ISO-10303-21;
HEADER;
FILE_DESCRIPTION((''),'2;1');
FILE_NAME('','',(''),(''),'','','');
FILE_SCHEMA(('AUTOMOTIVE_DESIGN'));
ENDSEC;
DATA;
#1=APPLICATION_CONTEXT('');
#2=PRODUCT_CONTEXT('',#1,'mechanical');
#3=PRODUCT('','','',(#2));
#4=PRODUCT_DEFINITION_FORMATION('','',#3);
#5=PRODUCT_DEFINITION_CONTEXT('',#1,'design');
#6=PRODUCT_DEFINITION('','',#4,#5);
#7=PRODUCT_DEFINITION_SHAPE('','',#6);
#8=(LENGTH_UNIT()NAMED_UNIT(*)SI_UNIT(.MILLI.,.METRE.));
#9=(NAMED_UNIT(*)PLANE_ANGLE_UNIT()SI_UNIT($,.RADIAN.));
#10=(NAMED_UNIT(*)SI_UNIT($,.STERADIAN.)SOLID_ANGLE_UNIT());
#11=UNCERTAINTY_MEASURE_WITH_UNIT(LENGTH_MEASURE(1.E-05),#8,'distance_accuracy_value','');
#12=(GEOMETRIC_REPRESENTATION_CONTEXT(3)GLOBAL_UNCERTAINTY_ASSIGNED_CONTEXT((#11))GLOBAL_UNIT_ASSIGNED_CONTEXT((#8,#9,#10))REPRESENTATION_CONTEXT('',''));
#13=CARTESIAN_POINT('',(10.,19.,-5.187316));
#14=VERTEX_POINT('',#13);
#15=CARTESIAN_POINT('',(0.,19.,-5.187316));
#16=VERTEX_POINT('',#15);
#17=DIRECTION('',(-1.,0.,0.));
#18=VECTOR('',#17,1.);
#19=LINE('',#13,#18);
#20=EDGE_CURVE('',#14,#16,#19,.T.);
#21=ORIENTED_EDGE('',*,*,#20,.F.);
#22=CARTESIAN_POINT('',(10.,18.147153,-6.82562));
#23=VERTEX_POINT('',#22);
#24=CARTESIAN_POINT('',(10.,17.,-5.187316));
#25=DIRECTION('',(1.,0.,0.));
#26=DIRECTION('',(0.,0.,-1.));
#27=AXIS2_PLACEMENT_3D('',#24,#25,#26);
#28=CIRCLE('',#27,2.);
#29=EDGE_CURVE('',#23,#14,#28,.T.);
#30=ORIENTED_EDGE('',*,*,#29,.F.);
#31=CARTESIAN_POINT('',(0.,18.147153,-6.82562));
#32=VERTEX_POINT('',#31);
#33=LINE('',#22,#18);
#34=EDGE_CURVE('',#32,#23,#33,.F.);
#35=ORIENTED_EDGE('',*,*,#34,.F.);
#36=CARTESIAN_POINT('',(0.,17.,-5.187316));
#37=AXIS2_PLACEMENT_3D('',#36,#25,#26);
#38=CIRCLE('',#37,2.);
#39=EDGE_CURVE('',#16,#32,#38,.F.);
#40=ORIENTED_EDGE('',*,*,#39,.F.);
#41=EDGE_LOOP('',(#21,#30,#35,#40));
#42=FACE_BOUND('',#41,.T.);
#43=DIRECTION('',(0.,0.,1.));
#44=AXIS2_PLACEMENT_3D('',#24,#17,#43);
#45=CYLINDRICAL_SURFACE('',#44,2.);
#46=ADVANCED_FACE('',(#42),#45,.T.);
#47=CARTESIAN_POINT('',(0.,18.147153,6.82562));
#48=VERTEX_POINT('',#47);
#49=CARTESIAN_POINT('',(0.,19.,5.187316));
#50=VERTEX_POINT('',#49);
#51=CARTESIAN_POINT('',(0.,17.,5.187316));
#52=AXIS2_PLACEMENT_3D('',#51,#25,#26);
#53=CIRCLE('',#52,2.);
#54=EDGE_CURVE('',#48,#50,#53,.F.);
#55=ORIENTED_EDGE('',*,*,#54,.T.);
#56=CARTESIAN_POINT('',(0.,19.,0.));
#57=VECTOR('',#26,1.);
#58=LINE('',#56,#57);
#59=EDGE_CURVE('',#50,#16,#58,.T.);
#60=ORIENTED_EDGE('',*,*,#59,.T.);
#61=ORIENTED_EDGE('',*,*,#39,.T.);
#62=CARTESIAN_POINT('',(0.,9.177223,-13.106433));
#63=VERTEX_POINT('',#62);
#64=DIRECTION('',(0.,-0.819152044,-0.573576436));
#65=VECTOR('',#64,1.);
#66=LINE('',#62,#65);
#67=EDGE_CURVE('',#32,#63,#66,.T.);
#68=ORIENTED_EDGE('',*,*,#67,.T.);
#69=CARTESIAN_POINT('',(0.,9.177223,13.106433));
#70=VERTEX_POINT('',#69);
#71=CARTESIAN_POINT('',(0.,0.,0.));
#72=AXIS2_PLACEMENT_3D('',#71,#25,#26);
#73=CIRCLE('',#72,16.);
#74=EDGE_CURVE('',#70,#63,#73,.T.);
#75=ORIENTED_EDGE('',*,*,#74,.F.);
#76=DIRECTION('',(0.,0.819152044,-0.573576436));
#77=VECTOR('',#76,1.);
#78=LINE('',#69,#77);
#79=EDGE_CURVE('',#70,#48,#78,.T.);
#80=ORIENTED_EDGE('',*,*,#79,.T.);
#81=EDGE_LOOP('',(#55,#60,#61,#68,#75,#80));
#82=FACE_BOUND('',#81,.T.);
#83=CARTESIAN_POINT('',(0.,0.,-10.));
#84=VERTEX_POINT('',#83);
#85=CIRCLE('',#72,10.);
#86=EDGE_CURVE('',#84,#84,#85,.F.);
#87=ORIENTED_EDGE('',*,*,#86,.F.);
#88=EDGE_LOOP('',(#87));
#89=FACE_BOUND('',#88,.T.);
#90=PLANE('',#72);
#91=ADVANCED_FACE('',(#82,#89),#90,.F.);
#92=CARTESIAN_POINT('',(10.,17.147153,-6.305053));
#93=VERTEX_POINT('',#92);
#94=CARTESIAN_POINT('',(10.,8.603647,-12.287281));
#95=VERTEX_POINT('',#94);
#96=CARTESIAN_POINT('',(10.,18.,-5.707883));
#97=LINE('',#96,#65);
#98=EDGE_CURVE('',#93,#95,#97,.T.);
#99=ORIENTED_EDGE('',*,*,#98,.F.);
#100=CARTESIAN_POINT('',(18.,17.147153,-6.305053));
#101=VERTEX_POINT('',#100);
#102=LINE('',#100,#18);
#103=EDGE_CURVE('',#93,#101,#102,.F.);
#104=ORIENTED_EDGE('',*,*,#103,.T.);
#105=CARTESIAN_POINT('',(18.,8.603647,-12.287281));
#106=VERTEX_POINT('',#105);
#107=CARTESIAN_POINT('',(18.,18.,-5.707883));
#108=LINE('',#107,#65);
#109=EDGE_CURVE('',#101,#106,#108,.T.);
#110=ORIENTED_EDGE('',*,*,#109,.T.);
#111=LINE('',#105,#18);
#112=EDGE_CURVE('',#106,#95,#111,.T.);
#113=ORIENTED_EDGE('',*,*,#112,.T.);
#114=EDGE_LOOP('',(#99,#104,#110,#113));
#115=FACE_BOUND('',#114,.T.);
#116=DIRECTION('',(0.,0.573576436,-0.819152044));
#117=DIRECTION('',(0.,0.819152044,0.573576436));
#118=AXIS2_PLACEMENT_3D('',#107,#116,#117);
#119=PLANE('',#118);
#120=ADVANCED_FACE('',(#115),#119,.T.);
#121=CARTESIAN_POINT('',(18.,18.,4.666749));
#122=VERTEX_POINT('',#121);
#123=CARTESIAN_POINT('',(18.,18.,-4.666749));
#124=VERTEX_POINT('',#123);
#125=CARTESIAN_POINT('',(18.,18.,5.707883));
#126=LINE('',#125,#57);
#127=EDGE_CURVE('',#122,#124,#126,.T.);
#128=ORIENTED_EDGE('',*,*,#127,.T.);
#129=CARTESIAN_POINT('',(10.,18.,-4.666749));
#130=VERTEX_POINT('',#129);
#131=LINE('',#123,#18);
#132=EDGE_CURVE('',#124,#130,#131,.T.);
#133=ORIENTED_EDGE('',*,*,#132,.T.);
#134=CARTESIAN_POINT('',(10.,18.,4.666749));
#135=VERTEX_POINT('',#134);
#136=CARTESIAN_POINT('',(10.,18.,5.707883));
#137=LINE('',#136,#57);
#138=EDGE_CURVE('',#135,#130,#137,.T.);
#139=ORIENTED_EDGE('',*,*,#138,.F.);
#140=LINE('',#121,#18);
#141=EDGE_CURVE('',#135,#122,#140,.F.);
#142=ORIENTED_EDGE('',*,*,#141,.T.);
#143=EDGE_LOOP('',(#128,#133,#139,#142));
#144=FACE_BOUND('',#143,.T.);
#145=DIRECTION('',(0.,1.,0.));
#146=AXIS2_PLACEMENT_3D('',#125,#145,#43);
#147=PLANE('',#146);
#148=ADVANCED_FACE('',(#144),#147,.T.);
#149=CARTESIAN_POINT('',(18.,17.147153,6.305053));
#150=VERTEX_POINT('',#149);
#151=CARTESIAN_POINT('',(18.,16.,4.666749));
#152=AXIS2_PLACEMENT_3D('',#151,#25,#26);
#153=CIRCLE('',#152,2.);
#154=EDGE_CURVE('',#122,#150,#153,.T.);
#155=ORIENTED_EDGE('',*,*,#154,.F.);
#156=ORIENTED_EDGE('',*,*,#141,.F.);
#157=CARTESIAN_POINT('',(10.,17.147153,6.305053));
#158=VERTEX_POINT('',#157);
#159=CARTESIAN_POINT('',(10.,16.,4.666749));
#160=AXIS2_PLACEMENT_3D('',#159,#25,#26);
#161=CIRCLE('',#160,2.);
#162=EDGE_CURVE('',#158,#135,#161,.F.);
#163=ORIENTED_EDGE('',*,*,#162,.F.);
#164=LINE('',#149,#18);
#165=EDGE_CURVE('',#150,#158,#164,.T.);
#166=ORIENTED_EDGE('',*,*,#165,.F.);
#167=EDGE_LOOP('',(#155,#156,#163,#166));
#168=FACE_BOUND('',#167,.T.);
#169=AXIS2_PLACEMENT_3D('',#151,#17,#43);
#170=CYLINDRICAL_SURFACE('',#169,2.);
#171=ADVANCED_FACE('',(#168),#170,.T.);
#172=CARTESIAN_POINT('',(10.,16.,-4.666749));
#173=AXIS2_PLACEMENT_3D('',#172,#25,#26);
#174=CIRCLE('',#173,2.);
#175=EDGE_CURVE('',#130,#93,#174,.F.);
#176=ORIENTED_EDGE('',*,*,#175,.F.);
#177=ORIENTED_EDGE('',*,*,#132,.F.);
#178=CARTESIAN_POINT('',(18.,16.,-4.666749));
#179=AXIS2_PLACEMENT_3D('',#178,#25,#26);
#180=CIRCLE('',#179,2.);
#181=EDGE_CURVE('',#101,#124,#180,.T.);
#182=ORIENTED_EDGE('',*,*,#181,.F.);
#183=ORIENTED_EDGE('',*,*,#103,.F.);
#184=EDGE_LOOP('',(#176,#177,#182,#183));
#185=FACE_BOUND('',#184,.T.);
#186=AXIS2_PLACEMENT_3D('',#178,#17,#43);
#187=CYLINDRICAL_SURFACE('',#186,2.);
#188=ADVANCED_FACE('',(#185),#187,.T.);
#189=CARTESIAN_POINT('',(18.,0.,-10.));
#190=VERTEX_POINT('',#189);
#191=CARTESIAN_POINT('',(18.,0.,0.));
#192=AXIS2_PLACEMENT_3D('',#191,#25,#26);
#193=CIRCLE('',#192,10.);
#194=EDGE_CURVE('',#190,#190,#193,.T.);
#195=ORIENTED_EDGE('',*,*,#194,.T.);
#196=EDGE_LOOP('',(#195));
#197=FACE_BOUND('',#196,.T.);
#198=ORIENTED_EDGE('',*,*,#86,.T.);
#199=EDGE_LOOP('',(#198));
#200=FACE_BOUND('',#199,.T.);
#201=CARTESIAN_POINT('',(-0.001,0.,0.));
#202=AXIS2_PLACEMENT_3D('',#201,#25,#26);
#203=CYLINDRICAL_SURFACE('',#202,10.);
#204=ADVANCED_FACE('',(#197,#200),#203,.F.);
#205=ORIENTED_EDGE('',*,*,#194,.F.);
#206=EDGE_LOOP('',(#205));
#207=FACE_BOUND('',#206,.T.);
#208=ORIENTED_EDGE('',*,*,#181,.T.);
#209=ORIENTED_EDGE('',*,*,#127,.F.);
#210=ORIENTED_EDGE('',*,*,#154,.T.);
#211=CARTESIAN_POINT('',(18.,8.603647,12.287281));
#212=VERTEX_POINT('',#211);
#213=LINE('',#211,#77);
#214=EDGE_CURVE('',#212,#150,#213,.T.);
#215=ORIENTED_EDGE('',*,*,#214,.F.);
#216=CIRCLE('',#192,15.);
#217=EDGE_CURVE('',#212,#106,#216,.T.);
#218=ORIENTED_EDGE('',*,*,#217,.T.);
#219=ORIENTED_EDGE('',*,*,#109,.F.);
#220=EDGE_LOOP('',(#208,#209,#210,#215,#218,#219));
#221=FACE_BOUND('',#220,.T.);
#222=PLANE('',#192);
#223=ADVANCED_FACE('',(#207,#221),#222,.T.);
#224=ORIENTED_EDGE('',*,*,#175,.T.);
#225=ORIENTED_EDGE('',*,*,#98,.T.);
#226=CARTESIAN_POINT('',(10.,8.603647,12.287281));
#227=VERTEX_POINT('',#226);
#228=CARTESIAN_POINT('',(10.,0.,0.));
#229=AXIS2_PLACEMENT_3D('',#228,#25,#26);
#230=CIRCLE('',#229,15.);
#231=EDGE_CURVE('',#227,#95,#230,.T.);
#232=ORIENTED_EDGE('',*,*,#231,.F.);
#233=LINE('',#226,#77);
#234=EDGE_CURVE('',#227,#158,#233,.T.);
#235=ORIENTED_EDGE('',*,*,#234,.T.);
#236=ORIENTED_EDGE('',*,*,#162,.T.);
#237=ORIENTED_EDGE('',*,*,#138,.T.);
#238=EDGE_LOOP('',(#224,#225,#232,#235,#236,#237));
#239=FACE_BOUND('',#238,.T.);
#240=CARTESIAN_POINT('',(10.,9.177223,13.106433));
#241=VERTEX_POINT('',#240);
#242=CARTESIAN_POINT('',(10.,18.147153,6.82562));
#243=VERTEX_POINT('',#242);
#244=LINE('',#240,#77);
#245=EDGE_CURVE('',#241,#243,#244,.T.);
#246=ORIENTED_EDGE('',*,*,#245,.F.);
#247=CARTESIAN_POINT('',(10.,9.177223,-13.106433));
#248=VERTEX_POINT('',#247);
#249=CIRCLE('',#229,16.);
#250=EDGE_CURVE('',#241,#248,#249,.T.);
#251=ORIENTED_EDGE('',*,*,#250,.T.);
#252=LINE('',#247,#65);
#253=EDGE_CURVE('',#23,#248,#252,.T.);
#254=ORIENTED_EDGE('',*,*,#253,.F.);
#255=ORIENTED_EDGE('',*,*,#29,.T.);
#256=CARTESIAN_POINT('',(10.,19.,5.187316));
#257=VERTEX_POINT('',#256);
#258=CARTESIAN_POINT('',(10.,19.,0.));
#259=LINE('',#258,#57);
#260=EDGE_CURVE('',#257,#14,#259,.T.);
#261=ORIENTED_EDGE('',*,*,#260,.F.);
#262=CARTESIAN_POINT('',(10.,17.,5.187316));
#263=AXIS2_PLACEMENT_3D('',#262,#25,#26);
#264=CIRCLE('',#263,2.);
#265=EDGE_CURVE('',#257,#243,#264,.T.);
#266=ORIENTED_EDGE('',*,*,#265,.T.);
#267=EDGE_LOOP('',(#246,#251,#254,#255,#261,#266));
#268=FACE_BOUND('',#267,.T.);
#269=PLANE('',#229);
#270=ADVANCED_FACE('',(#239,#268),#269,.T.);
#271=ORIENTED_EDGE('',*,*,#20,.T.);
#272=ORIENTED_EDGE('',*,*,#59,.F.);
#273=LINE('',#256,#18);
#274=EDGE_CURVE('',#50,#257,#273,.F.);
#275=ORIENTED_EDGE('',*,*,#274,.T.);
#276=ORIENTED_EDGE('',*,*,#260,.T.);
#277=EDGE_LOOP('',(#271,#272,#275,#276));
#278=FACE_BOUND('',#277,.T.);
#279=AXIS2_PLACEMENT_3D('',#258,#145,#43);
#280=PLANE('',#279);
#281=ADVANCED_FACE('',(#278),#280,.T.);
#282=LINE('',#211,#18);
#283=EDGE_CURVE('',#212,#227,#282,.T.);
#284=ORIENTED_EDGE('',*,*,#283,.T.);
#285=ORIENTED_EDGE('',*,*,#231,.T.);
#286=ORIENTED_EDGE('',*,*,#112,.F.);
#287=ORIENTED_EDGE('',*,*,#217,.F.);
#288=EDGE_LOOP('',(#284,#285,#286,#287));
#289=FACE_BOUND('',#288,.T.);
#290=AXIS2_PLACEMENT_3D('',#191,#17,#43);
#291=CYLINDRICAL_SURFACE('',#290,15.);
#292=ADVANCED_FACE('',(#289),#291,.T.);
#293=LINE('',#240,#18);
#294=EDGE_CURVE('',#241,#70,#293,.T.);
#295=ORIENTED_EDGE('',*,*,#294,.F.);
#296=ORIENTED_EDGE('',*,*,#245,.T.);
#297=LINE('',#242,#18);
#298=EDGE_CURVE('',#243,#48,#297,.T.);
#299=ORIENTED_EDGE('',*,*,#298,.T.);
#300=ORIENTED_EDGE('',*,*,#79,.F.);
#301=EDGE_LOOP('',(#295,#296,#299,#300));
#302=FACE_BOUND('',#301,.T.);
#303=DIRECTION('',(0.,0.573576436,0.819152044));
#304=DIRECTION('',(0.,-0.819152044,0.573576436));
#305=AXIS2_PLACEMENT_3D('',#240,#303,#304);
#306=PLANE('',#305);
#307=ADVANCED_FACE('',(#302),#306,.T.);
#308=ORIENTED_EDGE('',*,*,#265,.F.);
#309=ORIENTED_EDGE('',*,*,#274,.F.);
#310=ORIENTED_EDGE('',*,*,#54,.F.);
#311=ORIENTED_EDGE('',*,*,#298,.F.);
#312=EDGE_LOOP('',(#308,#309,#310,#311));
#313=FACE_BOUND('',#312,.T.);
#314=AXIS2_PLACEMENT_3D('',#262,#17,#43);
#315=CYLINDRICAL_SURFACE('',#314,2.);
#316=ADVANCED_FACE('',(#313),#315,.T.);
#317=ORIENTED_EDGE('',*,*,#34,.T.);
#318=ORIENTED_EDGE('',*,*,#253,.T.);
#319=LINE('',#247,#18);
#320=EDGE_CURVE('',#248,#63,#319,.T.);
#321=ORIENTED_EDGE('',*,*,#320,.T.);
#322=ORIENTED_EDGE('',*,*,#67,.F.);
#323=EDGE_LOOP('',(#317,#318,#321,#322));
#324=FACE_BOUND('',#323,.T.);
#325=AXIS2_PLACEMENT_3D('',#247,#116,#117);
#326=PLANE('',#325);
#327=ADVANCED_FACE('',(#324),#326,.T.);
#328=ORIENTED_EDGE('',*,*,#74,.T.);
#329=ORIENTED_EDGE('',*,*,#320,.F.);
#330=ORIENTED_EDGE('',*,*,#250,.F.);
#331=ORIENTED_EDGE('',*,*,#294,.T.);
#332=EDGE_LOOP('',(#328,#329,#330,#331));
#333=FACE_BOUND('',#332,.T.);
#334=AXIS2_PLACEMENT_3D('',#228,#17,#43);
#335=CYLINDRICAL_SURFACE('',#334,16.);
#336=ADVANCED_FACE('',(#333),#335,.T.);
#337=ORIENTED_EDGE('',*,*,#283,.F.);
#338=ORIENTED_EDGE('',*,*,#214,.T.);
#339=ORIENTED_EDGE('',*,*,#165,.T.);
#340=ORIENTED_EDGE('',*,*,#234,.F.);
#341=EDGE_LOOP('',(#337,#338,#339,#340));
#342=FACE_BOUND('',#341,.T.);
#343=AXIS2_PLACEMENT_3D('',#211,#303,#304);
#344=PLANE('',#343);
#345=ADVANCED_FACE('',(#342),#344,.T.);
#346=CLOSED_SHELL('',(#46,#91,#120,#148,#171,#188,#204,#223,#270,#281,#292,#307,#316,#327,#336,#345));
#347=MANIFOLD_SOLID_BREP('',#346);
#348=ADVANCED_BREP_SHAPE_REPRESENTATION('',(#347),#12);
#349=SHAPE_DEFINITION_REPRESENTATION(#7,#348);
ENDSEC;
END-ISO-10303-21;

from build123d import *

# Parameters (mm, degrees)
AUFSATZ_LINEAR_AUSTRAGEN1_DEPTH = 10
AUFSATZ_LINEAR_AUSTRAGEN2_DEPTH = 8
VERRUNDUNG1_R                   = 2
SCHNITT_LINEAR_AUSTRAGEN1_REACH = 20
SKIZZE3_R                       = 10


with BuildPart() as part:
    # Skizze1 → Aufsatz-Linear austragen1 (new body)
    with BuildSketch(Plane(origin=(0, 0, 0), x_dir=(0, 0, -1), z_dir=(1, 0, 0))):
        with BuildLine():
            Line((-6.228450194, 19), (-13.106432709, 9.177222982))
            ThreePointArc((-13.106432709, 9.177222982), (0, -16), (13.106432709, 9.177222982))
            Line((13.106432709, 9.177222982), (6.228450194, 19))
            Line((6.228450194, 19), (-6.228450194, 19))
        make_face()
    extrude(amount=AUFSATZ_LINEAR_AUSTRAGEN1_DEPTH)

    # Skizze2 → Aufsatz-Linear austragen2 (add)
    with BuildSketch(Plane(origin=(10, 0, 0), x_dir=(0, 0, -1), z_dir=(1, 0, 0))):
        with BuildLine():
            Line((-12.287280664, 8.603646545), (-5.707883144, 18))
            Line((-5.707883144, 18), (5.707883144, 18))
            Line((5.707883144, 18), (12.287280664, 8.603646545))
            ThreePointArc((12.287280664, 8.603646545), (0, -15), (-12.287280664, 8.603646545))
        make_face()
    extrude(amount=AUFSATZ_LINEAR_AUSTRAGEN2_DEPTH)

    # Verrundung1
    verrundung1_edges = [part.edges().sort_by_distance(p)[0] for p in [
        (14, 18, -5.707883144),
        (14, 18, 5.707883144),
        (5, 19, -6.228450194),
        (5, 19, 6.228450194),
    ]]
    fillet(verrundung1_edges, radius=VERRUNDUNG1_R)

    # Skizze3 → Schnitt-Linear austragen1 (cut, up to next)
    with BuildSketch(Plane(origin=(18, 0, 0), x_dir=(0, 0, -1), z_dir=(1, 0, 0)), mode=Mode.PRIVATE) as schnitt_linear_austragen1_sk1:
        Circle(SKIZZE3_R)
    schnitt_linear_austragen1_tool1 = extrude(schnitt_linear_austragen1_sk1.sketch, amount=-SCHNITT_LINEAR_AUSTRAGEN1_REACH, mode=Mode.PRIVATE) & part.part
    add(schnitt_linear_austragen1_tool1.solids().sort_by_distance((18, 0, 0))[0], mode=Mode.SUBTRACT)


solid = part.part
